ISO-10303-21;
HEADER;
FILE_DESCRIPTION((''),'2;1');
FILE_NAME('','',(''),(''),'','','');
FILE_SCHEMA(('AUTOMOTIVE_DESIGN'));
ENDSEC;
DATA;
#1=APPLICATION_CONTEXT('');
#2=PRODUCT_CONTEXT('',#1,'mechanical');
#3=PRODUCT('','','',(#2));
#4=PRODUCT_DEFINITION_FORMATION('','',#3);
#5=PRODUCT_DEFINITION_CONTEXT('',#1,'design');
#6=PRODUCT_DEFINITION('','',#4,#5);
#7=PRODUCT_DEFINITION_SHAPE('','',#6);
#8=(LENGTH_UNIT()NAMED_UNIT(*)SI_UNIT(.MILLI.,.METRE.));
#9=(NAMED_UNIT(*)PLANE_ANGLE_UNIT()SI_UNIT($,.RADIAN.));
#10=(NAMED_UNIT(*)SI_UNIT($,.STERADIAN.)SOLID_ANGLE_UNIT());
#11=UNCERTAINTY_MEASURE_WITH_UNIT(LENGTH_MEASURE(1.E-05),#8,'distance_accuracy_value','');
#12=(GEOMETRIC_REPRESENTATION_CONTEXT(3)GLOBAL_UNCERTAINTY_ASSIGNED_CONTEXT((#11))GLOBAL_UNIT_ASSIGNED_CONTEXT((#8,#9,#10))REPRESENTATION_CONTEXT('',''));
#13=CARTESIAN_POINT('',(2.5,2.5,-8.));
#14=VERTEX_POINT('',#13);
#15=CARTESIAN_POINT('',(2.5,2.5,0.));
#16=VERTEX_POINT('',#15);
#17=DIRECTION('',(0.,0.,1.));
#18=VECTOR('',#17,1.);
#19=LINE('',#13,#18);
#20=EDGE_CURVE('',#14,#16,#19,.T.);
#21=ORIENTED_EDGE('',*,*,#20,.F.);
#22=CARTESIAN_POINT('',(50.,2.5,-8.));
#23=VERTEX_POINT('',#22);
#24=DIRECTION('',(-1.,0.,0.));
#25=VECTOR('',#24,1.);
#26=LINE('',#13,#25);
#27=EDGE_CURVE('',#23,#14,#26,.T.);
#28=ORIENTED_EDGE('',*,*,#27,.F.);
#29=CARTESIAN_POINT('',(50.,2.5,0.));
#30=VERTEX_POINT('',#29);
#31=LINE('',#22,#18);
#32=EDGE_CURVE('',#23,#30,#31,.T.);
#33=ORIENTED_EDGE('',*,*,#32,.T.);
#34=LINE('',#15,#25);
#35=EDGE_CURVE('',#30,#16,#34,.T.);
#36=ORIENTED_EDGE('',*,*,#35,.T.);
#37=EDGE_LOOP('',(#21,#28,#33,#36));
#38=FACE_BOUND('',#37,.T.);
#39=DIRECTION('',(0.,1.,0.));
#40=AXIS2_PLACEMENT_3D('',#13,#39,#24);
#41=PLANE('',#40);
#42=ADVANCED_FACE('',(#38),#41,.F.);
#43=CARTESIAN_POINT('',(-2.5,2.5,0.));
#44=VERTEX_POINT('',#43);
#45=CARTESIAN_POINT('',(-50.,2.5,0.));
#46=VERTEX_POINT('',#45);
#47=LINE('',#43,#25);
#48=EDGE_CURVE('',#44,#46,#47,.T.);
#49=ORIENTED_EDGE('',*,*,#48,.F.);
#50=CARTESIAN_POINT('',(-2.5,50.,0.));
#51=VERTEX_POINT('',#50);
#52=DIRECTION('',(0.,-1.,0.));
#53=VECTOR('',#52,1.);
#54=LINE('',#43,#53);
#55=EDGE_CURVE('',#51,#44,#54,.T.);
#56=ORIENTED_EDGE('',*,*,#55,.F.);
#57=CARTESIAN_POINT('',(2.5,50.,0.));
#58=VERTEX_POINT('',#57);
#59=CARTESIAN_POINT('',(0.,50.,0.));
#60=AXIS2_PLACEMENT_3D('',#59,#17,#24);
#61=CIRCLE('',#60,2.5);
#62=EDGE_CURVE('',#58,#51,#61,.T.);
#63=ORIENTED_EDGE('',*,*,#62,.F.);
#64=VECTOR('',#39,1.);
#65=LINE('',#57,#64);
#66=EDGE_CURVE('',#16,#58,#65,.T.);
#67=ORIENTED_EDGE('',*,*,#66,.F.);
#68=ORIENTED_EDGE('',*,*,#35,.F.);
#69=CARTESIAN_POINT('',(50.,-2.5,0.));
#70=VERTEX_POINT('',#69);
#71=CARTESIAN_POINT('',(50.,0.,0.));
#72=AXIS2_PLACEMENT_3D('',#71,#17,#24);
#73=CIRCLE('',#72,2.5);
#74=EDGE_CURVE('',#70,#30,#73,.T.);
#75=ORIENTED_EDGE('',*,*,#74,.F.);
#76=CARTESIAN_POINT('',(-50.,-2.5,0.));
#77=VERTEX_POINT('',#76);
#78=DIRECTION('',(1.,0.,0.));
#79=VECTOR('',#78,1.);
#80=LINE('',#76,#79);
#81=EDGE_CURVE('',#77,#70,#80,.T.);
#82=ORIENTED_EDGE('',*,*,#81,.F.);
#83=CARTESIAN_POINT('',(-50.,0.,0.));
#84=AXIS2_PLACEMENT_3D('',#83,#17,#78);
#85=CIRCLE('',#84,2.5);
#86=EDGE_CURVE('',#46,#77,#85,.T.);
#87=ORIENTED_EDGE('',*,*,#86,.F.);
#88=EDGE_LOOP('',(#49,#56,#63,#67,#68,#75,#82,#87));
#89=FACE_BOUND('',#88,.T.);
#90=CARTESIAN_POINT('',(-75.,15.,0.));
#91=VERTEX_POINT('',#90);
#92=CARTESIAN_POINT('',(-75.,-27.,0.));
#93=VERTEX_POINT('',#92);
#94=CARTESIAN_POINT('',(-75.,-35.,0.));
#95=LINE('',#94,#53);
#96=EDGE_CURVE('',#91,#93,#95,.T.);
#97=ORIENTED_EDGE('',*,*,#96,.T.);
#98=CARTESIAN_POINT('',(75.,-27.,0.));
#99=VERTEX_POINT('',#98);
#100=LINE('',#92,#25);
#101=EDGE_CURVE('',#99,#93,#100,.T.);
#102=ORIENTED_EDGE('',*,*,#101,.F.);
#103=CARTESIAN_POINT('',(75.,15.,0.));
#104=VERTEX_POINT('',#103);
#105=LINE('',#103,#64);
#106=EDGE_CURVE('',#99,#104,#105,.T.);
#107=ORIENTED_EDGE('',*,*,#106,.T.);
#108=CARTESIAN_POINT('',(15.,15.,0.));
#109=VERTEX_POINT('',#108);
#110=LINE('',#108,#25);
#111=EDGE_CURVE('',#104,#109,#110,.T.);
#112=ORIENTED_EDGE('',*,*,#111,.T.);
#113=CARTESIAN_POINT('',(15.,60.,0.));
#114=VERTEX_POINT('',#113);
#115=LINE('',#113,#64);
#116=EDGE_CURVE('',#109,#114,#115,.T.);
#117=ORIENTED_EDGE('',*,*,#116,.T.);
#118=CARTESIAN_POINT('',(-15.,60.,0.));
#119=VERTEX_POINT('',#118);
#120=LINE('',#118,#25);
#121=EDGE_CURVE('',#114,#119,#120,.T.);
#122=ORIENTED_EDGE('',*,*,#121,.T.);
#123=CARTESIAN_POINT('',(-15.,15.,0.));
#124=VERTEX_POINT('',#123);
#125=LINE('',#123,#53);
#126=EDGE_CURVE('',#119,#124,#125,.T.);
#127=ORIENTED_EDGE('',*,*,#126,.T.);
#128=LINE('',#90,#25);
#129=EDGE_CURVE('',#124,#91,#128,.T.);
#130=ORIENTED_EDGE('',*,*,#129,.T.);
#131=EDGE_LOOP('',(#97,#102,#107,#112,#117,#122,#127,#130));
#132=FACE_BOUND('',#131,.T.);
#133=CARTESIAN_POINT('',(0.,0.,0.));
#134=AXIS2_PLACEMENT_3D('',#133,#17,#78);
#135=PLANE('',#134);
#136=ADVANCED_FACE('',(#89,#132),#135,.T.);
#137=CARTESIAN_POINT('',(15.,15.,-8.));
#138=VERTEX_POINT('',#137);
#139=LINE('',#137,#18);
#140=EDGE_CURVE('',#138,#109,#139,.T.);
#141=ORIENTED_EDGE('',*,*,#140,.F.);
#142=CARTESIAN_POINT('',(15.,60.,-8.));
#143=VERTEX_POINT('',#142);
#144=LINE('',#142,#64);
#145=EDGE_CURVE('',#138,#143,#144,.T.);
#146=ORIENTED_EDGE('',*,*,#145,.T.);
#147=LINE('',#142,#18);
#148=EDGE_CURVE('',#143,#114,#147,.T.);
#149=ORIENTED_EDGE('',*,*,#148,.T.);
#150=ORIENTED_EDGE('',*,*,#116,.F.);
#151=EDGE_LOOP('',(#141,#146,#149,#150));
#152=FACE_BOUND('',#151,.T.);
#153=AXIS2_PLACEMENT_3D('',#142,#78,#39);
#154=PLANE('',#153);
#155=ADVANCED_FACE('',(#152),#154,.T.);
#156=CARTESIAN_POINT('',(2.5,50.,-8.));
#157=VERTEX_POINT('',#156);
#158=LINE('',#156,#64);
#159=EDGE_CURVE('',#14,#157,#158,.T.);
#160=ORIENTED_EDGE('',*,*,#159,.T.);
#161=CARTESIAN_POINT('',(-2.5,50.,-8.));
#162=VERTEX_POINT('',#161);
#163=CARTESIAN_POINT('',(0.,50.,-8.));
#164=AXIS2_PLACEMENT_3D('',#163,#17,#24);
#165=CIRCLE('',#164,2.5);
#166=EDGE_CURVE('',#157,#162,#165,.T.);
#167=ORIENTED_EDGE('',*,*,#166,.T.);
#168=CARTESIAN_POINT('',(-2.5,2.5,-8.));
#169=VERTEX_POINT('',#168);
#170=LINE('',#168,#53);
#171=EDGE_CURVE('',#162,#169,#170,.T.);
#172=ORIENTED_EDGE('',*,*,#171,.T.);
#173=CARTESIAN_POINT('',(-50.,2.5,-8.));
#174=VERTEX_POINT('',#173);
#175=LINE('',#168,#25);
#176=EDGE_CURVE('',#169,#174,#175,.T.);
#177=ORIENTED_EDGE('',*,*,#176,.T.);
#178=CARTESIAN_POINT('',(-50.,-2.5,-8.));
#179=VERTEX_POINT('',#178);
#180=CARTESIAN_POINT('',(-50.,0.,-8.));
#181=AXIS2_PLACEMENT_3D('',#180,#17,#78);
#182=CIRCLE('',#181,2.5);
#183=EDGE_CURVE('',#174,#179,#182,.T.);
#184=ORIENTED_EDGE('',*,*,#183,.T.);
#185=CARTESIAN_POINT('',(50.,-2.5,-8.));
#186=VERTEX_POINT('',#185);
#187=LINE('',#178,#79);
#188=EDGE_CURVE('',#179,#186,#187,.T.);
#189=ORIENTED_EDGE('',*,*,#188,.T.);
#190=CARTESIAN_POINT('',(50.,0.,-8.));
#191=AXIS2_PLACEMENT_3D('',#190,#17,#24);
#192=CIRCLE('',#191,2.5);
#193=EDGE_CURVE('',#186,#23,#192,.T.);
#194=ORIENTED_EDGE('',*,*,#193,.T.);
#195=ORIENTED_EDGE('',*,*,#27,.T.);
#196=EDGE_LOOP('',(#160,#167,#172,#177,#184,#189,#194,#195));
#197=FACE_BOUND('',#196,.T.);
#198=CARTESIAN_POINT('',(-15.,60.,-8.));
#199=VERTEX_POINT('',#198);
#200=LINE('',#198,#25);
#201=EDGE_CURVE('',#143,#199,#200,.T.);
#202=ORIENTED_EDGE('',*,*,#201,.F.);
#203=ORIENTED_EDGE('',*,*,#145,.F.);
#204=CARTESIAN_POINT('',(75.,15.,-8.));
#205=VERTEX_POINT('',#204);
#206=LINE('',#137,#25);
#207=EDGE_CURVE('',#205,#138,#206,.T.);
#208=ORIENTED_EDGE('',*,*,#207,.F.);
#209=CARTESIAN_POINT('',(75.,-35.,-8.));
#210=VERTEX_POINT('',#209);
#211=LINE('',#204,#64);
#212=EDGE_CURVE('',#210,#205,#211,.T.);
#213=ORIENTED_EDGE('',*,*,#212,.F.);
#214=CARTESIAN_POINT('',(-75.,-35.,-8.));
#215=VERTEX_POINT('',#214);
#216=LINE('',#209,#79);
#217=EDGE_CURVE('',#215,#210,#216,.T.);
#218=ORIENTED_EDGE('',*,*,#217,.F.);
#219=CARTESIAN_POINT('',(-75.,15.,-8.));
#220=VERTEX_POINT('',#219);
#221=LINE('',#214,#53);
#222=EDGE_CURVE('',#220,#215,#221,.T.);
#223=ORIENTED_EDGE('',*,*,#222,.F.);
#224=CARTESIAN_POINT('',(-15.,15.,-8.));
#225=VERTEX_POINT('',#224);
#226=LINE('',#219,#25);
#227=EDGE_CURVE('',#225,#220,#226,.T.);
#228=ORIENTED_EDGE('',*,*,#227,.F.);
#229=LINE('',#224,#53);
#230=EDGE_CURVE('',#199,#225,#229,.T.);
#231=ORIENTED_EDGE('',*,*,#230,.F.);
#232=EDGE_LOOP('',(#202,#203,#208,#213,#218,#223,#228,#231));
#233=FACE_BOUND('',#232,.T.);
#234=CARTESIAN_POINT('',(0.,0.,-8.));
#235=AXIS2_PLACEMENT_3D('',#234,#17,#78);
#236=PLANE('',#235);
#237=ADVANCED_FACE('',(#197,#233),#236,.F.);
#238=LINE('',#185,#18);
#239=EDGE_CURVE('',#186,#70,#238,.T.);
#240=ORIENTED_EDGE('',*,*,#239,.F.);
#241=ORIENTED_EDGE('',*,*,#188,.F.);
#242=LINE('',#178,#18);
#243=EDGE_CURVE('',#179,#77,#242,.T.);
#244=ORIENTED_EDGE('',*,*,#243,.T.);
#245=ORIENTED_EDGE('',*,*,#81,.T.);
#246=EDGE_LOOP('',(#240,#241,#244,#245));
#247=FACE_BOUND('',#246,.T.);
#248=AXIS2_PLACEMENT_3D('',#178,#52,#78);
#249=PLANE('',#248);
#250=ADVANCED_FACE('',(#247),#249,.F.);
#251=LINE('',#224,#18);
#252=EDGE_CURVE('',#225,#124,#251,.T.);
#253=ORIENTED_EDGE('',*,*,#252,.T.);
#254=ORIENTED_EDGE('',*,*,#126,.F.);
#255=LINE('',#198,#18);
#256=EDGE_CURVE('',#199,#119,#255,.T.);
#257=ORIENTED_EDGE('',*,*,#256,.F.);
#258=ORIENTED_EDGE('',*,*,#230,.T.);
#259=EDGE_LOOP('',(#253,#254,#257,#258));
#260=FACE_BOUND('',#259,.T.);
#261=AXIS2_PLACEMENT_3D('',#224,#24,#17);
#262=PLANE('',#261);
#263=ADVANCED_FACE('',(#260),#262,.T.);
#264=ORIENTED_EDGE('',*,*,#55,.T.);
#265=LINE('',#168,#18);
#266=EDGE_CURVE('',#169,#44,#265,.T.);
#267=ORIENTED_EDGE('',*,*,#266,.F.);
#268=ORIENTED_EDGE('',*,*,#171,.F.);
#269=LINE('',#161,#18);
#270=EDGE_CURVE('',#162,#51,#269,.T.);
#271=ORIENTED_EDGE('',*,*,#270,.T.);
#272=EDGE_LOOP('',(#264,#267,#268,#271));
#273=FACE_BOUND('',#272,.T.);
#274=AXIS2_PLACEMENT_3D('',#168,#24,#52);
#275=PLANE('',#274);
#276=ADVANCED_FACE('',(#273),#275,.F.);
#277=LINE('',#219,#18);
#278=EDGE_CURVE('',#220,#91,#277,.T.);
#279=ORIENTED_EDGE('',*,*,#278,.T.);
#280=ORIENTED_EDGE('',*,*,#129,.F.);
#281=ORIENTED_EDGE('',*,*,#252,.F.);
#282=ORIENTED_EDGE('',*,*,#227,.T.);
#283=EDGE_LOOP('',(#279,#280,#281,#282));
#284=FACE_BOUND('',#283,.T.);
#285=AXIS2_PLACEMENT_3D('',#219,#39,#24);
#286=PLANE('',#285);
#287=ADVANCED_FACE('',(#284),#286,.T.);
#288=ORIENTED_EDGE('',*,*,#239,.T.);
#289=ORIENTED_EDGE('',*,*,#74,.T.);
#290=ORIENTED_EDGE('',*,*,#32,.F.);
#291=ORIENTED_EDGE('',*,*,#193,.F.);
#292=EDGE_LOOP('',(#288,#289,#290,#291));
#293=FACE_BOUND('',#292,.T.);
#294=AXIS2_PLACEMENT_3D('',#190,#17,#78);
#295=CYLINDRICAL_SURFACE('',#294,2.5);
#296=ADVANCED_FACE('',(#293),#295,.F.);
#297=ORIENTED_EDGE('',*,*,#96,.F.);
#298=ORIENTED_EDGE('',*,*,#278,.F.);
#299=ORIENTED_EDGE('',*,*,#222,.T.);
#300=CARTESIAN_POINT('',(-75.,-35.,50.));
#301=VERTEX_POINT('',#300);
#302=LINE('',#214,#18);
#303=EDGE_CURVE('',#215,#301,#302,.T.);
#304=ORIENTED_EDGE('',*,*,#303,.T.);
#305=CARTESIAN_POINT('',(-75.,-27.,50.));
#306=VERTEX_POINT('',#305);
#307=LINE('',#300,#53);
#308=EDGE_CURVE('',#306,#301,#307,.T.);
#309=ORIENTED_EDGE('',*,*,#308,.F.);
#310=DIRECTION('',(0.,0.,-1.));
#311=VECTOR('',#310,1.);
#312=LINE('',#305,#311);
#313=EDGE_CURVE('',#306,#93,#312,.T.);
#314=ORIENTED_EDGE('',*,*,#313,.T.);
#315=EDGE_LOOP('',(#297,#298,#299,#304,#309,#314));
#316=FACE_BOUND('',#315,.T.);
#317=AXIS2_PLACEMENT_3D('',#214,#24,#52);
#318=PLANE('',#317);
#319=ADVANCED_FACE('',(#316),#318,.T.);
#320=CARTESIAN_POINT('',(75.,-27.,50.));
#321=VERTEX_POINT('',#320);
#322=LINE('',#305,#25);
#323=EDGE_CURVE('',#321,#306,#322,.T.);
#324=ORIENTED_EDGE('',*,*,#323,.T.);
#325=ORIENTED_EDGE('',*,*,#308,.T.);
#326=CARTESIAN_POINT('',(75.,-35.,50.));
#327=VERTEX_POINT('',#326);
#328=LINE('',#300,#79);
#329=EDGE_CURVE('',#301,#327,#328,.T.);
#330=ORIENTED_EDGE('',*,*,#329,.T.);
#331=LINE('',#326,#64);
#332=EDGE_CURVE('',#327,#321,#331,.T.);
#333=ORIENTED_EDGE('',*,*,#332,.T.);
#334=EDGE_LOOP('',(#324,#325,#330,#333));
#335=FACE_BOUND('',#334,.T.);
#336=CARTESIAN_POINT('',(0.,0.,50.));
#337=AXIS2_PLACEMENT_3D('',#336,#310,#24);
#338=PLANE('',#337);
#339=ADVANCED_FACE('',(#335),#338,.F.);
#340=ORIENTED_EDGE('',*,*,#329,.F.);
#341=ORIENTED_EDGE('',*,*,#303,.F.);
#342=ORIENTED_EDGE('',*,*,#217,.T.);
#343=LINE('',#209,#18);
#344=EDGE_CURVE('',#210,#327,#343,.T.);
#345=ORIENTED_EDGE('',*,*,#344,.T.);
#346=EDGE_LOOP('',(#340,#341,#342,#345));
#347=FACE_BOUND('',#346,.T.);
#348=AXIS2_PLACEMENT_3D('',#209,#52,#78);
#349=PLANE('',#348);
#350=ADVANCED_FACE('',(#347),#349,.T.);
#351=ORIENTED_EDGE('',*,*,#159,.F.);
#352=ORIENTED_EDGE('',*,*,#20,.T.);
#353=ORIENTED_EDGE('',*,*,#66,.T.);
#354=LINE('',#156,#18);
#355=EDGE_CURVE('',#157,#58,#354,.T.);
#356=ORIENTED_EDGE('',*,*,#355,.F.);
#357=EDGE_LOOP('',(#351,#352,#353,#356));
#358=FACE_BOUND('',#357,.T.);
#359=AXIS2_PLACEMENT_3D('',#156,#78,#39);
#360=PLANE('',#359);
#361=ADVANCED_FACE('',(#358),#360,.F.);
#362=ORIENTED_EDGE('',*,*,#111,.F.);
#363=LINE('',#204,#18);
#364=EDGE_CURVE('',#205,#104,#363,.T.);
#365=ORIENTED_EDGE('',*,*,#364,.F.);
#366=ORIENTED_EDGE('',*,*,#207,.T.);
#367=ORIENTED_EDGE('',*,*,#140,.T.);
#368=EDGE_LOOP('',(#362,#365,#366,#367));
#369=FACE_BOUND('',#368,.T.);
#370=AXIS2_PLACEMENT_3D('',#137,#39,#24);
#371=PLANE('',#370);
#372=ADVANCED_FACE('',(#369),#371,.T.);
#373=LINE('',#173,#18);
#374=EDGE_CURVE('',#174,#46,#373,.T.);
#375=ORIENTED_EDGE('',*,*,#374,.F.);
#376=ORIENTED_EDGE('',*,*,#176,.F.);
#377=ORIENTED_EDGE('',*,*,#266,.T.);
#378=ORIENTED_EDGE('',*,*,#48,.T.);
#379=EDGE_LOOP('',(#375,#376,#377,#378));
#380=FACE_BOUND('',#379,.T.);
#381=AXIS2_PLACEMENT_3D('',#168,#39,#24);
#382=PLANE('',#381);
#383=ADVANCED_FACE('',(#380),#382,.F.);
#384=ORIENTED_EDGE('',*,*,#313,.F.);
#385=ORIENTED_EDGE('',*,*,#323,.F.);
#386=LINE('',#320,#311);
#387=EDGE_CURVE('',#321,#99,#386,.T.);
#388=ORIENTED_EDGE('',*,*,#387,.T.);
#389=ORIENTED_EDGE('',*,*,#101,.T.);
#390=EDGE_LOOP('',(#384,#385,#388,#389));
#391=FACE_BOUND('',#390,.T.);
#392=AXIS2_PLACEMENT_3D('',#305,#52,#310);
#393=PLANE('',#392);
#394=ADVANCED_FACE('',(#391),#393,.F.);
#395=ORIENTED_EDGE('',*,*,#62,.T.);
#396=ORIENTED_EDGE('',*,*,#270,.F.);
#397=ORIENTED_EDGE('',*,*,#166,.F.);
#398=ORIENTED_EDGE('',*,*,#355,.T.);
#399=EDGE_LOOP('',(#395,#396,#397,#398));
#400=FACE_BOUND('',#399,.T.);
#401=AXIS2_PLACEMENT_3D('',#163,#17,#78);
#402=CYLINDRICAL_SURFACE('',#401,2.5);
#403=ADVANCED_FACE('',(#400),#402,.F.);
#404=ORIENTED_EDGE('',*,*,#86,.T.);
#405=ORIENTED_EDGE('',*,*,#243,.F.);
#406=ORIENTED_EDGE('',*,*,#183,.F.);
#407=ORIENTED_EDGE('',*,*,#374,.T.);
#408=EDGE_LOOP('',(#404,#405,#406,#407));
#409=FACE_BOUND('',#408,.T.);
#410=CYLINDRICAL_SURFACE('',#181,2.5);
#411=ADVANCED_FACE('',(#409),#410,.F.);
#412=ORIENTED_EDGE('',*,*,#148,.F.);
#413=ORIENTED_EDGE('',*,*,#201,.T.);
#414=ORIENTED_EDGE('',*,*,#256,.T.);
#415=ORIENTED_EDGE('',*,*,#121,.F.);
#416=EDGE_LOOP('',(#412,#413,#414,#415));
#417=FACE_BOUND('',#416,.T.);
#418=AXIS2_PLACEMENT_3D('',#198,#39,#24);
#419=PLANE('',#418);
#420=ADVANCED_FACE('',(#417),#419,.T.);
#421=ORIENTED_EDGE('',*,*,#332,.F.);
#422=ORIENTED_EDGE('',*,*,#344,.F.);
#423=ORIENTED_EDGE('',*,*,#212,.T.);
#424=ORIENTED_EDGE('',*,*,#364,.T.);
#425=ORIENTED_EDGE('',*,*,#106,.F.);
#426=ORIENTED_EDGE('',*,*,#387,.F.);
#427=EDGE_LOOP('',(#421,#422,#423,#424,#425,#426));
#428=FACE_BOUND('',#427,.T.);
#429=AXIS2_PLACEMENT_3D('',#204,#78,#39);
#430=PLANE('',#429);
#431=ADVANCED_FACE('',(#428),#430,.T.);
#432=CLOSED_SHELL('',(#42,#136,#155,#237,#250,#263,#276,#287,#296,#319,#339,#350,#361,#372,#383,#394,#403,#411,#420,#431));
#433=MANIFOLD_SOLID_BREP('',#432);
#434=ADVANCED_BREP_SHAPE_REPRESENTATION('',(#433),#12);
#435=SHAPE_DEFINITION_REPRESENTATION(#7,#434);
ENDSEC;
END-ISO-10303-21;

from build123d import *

# Parameters (mm, degrees)
BOSS_EXTRUDE1_DEPTH = 8
SKETCH2_W           = 150
SKETCH2_H           = 8
BOSS_EXTRUDE2_DEPTH = 50


with BuildPart() as part:
    # Sketch1 → Boss-Extrude1 (new body)
    with BuildSketch(Plane.XY):
        Polygon((-15, 15), (-15, 60), (15, 60), (15, 15), (75, 15), (75, -35), (-75, -35), (-75, 15), align=None)
        with BuildLine():
            Line((-2.5, 2.5), (-50, 2.5))
            ThreePointArc((-50, 2.5), (-52.5, 0), (-50, -2.5))
            Line((-50, -2.5), (50, -2.5))
            ThreePointArc((50, -2.5), (52.5, 0), (50, 2.5))
            Line((50, 2.5), (2.5, 2.5))
            Line((2.5, 2.5), (2.5, 50))
            ThreePointArc((2.5, 50), (0, 52.5), (-2.5, 50))
            Line((-2.5, 50), (-2.5, 2.5))
        make_face(mode=Mode.SUBTRACT)
    extrude(amount=-BOSS_EXTRUDE1_DEPTH)

    # Sketch2 → Boss-Extrude2 (add)
    with BuildSketch(Plane.XY):
        with Locations((0, -31)):
            Rectangle(SKETCH2_W, SKETCH2_H)
    extrude(amount=BOSS_EXTRUDE2_DEPTH)


solid = part.part
